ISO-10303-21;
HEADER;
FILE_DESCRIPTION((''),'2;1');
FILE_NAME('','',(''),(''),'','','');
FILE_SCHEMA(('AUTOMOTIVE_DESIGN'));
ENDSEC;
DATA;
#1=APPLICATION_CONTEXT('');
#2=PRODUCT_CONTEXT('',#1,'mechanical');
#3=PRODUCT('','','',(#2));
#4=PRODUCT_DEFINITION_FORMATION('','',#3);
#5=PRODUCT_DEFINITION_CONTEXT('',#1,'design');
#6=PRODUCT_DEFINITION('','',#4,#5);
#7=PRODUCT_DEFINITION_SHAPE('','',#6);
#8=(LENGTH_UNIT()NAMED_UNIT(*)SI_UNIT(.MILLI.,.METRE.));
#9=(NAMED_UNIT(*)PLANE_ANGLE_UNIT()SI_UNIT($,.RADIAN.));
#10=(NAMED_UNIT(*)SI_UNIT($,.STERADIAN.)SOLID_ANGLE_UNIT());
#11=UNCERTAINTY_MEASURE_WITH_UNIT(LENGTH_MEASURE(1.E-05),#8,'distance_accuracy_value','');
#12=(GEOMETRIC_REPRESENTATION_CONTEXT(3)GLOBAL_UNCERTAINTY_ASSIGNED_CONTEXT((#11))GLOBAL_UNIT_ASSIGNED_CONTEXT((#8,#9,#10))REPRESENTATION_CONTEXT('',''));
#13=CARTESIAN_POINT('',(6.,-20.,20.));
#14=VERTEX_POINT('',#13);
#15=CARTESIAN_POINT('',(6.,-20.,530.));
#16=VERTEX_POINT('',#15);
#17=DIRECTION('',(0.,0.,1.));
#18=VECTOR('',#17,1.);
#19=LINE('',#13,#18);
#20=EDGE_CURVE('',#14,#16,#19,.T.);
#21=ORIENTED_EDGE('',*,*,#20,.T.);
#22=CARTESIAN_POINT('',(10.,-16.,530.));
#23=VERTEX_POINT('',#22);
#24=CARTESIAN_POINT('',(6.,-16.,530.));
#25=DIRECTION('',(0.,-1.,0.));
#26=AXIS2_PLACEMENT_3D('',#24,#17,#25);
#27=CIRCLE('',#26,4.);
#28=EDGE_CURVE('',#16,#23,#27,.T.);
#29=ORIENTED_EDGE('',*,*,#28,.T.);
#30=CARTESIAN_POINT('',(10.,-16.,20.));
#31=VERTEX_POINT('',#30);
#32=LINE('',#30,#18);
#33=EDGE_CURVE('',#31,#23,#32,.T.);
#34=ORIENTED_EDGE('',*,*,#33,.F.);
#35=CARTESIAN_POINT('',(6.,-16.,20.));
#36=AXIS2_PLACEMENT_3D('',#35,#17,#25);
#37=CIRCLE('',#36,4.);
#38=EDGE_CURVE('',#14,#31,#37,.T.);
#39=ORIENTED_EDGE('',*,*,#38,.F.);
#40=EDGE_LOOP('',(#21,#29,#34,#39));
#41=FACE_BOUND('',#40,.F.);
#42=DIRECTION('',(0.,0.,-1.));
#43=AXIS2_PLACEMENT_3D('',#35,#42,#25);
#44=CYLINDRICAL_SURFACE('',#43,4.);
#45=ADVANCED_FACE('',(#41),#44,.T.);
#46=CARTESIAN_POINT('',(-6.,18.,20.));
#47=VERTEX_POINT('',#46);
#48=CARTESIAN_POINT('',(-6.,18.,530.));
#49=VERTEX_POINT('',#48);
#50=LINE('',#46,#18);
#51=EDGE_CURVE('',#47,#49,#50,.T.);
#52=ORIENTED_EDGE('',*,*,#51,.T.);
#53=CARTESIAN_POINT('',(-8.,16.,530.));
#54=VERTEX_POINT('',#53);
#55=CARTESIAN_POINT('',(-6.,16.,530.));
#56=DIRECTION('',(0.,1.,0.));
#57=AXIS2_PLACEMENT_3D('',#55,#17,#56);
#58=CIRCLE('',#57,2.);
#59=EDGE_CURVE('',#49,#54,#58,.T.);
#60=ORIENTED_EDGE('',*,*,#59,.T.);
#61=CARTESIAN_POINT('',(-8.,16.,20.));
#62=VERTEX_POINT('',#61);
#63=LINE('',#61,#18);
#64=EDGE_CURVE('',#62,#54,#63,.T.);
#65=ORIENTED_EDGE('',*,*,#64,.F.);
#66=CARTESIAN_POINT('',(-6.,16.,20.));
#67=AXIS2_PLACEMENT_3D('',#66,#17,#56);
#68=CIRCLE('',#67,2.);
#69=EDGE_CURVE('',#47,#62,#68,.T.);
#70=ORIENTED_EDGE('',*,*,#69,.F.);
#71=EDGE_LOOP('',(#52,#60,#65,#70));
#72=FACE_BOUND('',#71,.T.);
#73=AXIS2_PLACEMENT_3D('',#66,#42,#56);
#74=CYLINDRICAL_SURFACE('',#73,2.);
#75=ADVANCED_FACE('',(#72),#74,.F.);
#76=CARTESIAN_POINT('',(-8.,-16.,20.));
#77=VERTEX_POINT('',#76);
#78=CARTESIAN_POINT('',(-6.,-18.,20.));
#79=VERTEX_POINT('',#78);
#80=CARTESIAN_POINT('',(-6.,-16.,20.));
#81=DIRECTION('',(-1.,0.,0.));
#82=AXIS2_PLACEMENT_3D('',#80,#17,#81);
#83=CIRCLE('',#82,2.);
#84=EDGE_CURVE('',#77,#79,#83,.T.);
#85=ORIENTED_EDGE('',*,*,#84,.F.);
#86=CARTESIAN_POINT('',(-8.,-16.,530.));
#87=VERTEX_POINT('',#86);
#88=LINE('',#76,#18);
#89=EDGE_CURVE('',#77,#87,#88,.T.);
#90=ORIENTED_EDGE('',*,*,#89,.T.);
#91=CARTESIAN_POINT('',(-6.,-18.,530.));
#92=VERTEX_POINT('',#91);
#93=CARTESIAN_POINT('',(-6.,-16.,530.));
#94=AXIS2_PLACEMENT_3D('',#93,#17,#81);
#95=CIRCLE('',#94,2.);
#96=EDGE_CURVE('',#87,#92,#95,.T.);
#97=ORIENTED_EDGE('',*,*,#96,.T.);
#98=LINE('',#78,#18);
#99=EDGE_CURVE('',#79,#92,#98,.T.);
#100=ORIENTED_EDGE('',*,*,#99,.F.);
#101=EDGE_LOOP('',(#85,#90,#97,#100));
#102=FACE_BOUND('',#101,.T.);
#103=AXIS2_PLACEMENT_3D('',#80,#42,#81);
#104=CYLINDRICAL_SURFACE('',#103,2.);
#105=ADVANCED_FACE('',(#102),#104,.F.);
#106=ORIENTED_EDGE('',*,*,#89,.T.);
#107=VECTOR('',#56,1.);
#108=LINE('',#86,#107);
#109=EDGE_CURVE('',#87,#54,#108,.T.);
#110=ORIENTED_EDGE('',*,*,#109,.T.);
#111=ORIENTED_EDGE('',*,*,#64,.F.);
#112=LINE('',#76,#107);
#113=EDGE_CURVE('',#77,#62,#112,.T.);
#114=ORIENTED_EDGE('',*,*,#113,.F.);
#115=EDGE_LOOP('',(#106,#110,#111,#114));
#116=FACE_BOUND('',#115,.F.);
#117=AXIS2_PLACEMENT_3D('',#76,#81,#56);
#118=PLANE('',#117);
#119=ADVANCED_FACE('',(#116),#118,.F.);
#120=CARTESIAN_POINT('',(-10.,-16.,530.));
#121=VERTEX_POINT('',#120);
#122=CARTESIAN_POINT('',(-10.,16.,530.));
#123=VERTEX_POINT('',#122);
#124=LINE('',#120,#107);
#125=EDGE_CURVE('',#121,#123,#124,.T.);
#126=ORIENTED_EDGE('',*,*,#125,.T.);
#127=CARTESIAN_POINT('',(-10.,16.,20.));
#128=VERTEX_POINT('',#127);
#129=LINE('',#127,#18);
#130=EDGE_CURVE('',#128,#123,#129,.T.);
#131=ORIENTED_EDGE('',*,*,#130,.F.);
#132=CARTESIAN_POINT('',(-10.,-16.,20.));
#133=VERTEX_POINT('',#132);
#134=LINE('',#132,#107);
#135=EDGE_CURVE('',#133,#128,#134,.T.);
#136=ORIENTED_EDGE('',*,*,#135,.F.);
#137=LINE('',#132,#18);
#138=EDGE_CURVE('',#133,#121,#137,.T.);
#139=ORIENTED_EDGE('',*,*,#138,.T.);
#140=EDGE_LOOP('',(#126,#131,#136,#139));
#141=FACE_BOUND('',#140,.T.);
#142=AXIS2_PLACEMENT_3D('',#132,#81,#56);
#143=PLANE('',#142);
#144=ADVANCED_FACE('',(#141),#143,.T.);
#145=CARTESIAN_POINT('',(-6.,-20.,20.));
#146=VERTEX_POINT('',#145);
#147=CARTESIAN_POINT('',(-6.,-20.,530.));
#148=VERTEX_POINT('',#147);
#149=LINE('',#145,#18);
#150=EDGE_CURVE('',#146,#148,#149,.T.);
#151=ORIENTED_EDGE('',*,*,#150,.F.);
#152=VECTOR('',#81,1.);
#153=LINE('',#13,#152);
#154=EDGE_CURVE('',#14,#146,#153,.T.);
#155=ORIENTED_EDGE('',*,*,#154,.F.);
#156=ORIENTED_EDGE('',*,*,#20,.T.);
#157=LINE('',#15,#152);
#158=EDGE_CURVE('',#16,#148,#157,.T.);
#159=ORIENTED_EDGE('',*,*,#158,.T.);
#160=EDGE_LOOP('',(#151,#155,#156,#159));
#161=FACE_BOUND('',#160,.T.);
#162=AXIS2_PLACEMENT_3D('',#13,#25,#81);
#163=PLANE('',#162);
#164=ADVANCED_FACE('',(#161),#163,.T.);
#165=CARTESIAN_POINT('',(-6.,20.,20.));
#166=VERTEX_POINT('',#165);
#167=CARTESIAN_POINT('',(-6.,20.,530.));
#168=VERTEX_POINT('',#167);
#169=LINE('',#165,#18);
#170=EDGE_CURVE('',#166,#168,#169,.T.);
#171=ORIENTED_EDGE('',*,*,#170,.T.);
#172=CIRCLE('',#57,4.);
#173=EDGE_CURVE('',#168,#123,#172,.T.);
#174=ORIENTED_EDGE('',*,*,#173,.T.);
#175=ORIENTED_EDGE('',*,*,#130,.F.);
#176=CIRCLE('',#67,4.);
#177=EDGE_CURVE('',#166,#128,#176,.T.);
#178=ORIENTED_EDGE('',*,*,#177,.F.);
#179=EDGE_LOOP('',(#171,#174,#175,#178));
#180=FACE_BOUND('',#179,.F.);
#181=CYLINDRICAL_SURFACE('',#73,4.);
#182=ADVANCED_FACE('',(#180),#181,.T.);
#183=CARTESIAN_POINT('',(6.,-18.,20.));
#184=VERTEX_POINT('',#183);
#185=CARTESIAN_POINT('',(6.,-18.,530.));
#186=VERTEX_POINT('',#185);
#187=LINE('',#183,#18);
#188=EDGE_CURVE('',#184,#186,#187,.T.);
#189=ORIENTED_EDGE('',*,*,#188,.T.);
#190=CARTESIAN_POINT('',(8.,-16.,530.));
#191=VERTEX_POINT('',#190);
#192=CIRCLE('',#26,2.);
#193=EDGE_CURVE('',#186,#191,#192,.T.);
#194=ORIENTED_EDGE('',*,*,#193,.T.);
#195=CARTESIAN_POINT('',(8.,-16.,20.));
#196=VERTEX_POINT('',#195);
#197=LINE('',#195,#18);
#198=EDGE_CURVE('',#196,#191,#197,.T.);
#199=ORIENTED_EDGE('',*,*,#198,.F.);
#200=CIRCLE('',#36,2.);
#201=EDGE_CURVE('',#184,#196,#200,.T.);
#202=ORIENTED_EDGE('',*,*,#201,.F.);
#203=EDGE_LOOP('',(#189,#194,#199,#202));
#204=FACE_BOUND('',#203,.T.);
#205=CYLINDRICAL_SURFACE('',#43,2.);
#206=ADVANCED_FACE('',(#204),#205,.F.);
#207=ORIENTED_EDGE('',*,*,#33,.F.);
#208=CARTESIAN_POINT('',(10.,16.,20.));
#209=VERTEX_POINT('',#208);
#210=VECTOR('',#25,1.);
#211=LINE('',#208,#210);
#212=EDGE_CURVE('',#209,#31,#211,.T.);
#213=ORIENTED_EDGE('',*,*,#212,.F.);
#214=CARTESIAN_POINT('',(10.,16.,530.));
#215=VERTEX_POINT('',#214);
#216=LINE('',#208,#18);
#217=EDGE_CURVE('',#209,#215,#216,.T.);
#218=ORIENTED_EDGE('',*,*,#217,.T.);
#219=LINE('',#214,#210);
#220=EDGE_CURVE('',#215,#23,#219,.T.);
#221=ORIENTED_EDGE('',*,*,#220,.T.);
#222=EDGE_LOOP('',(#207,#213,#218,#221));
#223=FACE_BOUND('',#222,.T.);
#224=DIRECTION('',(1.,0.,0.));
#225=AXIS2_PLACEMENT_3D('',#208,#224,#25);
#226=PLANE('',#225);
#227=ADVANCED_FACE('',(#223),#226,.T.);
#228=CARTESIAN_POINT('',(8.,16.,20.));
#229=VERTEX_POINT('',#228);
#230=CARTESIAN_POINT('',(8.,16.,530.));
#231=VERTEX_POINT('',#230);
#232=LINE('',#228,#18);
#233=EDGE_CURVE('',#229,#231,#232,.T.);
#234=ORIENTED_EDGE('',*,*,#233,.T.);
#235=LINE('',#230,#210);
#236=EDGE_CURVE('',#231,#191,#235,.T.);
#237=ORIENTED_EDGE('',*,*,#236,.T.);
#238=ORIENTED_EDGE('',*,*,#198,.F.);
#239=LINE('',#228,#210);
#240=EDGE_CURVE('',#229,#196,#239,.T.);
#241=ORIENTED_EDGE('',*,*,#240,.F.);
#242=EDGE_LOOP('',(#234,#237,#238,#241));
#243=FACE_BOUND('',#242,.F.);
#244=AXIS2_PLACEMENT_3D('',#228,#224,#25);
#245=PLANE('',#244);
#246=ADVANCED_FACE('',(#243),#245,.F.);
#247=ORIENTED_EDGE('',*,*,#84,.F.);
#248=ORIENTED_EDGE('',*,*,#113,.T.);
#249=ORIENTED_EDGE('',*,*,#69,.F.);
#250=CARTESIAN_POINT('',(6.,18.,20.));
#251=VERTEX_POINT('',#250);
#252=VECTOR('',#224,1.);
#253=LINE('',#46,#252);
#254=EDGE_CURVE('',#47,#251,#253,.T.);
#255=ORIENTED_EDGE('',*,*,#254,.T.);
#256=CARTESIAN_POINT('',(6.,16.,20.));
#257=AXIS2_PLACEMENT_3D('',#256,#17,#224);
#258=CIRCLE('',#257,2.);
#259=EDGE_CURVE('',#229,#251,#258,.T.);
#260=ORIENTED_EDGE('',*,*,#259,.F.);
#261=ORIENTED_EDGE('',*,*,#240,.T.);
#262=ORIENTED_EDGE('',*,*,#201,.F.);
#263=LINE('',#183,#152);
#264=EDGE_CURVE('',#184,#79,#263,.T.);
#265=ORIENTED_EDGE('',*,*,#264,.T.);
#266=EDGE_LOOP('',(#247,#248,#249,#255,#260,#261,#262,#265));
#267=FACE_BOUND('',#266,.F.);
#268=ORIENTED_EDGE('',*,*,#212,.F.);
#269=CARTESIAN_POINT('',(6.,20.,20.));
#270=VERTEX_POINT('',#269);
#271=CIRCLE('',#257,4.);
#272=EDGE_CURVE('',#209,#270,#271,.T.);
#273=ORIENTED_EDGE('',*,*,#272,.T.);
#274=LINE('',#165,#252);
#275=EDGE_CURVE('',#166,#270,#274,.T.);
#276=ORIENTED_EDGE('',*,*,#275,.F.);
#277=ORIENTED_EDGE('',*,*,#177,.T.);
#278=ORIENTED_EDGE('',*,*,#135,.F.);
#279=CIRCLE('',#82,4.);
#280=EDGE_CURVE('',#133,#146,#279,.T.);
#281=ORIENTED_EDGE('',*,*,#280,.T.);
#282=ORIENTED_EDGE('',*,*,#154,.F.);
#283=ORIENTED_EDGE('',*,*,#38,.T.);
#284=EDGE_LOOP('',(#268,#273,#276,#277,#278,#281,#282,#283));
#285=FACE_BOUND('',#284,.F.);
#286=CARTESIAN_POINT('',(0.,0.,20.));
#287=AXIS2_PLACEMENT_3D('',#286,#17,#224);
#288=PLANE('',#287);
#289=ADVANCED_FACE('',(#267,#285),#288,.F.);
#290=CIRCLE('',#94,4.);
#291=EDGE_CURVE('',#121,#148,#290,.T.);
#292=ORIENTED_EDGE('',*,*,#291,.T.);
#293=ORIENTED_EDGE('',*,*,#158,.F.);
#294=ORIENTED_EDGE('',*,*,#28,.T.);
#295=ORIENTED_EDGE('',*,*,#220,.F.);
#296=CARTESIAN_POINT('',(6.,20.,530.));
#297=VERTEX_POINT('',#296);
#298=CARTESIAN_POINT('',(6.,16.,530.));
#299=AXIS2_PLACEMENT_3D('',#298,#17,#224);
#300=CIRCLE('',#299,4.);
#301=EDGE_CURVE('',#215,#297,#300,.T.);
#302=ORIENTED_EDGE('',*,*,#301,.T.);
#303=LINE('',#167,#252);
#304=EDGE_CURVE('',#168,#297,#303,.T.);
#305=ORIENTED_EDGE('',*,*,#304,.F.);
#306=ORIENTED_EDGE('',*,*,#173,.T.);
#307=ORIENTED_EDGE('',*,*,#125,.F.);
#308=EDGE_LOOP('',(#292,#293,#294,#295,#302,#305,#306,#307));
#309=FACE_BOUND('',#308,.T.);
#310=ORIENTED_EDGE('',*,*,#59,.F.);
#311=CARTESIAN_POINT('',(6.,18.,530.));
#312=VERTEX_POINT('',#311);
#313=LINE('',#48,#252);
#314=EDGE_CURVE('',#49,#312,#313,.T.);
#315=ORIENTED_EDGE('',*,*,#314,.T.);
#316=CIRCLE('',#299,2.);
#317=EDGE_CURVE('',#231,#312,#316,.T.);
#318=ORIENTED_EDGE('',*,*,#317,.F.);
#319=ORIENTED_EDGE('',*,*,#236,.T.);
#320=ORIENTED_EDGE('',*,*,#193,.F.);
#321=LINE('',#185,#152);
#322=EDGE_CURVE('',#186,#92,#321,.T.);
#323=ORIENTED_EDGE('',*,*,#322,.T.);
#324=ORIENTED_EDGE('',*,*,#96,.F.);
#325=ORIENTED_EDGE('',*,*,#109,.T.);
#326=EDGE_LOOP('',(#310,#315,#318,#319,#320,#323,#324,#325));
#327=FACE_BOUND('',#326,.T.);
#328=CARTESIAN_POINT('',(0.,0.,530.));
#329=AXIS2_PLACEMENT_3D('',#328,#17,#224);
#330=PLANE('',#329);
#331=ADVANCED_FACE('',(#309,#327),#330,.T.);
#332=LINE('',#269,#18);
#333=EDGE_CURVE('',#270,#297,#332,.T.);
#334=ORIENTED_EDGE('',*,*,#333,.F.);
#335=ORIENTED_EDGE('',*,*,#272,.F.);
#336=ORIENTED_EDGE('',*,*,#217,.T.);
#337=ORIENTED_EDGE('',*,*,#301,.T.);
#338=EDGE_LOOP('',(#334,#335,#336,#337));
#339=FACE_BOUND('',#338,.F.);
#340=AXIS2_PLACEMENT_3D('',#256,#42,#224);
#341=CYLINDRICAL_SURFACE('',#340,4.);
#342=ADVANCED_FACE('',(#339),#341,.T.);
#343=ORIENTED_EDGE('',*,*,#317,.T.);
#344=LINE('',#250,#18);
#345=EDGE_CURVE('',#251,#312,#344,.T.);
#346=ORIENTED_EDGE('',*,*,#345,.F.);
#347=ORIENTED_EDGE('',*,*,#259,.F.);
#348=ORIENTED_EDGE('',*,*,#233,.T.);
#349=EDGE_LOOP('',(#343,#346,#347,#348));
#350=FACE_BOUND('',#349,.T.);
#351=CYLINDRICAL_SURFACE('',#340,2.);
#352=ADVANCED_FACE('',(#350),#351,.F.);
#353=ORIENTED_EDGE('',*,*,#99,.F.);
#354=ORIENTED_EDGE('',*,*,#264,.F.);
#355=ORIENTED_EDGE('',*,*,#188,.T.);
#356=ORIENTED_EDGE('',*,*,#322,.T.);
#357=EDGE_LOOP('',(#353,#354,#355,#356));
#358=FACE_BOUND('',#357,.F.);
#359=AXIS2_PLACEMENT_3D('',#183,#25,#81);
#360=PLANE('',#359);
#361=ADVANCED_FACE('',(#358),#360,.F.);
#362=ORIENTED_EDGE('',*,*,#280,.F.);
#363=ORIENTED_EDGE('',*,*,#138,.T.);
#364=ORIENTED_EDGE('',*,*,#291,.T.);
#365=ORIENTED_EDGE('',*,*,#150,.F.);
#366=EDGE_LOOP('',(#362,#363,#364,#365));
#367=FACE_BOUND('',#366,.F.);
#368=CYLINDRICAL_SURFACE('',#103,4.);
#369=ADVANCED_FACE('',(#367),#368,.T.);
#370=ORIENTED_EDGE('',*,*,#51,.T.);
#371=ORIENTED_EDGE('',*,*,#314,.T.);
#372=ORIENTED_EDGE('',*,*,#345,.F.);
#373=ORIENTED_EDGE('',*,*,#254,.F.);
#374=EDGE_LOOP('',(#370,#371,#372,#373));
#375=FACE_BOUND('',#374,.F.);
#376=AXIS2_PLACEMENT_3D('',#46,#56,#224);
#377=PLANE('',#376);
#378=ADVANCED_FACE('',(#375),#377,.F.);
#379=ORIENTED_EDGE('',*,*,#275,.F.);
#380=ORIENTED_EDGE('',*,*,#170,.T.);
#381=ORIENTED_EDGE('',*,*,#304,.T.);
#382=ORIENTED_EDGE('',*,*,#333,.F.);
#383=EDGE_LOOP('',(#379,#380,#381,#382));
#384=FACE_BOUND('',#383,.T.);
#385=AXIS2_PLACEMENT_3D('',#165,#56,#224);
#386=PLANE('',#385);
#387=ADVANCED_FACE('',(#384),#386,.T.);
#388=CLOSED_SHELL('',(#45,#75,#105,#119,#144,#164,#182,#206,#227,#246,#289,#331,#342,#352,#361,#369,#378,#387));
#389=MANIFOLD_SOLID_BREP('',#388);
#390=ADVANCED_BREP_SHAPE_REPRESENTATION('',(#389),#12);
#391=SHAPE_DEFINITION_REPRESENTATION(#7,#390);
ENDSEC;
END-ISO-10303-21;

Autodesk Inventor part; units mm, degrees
ref_plane "YZ Plane" through (0, 0, 0) normal (1, 0, 0) x (0, 1, 0)
ref_plane "Start Plane" through (0, 0, 20) normal (0, 0, 1) x (1, 0, 0)
ref_plane "End Plane" through (0, 0, 530) normal (0, 0, 1) x (1, 0, 0)
sketch "Sketch" plane through (0, 0, 0) normal (0, 0, 1) x (1, 0, 0)
  line L0 (-10, -16) -> (-10, 16)
  line L1 (-6, 20) -> (6, 20)
  line L2 (10, 16) -> (10, -16)
  line L3 (6, -20) -> (-6, -20)
  arc A0 (-10, -16) -> (-6, -20) centre (-6, -16) ccw
  arc A1 (10, 16) -> (6, 20) centre (6, 16) ccw
  arc A2 (-6, 20) -> (-10, 16) centre (-6, 16) ccw
  arc A3 (6, -20) -> (10, -16) centre (6, -16) ccw
  arc A4 (-6, 18) -> (-8, 16) centre (-6, 16) ccw
  line L4 (-6, 18) -> (6, 18)
  arc A5 (8, 16) -> (6, 18) centre (6, 16) ccw
  line L5 (8, 16) -> (8, -16)
  arc A6 (6, -18) -> (8, -16) centre (6, -16) ccw
  line L6 (6, -18) -> (-6, -18)
  arc A7 (-8, -16) -> (-6, -18) centre (-6, -16) ccw
  line L7 (-8, -16) -> (-8, 16)
  line L8 (0, 29.1598) -> (0, -29.1598) construction
  line L9 (-15.1598, 0) -> (15.1598, 0) construction
  dimension "d7" = 4
  dimension "d9" = 20
  dimension "d11" = 40
  dimension "d12" = 2
  dimension "d15" = 10
  dimension "d16" = 20
extrude "Body" add sketch "Sketch" along normal up to surface (510 mm away) from surface at 20
sketch "Sketch3" plane through (0, 0, 0) normal (0, 0, 1) x (1, 0, 0)
  line L0 (0, 0) -> (10, 0)
ref_plane "Work Plane3" through (0, 0, 0) normal (0, -1, 0) x (1, 0, 0)
sketch "Sketch4" plane through (0, 0, 0) normal (0, -1, 0) x (1, 0, 0)
  line L0 (-2, 20) -> (12, 20) projected
  line L1 (-2, 530) -> (12, 530) projected
  dimension "d18" = 510
equation "\"d7\" = G_IR"
equation "\"d9\" = G_W"
equation "\"d11\" = G_H"
equation "\"d12\" = G_T"
equation "\"d15\" = 0.5 * d9"
equation "\"d16\" = 0.5 * d11"
equation "\"d3\" = G_L"
equation "\"G_W\" = 20"
equation "\"G_H\" = 40"
equation "\"G_T\" = 2"
equation "\"G_IR\" = 4"
equation "\"G_L\" = d18"
properties part number "ISO 4019 - 40x20x2 - 510" material "Steel, Mild"
